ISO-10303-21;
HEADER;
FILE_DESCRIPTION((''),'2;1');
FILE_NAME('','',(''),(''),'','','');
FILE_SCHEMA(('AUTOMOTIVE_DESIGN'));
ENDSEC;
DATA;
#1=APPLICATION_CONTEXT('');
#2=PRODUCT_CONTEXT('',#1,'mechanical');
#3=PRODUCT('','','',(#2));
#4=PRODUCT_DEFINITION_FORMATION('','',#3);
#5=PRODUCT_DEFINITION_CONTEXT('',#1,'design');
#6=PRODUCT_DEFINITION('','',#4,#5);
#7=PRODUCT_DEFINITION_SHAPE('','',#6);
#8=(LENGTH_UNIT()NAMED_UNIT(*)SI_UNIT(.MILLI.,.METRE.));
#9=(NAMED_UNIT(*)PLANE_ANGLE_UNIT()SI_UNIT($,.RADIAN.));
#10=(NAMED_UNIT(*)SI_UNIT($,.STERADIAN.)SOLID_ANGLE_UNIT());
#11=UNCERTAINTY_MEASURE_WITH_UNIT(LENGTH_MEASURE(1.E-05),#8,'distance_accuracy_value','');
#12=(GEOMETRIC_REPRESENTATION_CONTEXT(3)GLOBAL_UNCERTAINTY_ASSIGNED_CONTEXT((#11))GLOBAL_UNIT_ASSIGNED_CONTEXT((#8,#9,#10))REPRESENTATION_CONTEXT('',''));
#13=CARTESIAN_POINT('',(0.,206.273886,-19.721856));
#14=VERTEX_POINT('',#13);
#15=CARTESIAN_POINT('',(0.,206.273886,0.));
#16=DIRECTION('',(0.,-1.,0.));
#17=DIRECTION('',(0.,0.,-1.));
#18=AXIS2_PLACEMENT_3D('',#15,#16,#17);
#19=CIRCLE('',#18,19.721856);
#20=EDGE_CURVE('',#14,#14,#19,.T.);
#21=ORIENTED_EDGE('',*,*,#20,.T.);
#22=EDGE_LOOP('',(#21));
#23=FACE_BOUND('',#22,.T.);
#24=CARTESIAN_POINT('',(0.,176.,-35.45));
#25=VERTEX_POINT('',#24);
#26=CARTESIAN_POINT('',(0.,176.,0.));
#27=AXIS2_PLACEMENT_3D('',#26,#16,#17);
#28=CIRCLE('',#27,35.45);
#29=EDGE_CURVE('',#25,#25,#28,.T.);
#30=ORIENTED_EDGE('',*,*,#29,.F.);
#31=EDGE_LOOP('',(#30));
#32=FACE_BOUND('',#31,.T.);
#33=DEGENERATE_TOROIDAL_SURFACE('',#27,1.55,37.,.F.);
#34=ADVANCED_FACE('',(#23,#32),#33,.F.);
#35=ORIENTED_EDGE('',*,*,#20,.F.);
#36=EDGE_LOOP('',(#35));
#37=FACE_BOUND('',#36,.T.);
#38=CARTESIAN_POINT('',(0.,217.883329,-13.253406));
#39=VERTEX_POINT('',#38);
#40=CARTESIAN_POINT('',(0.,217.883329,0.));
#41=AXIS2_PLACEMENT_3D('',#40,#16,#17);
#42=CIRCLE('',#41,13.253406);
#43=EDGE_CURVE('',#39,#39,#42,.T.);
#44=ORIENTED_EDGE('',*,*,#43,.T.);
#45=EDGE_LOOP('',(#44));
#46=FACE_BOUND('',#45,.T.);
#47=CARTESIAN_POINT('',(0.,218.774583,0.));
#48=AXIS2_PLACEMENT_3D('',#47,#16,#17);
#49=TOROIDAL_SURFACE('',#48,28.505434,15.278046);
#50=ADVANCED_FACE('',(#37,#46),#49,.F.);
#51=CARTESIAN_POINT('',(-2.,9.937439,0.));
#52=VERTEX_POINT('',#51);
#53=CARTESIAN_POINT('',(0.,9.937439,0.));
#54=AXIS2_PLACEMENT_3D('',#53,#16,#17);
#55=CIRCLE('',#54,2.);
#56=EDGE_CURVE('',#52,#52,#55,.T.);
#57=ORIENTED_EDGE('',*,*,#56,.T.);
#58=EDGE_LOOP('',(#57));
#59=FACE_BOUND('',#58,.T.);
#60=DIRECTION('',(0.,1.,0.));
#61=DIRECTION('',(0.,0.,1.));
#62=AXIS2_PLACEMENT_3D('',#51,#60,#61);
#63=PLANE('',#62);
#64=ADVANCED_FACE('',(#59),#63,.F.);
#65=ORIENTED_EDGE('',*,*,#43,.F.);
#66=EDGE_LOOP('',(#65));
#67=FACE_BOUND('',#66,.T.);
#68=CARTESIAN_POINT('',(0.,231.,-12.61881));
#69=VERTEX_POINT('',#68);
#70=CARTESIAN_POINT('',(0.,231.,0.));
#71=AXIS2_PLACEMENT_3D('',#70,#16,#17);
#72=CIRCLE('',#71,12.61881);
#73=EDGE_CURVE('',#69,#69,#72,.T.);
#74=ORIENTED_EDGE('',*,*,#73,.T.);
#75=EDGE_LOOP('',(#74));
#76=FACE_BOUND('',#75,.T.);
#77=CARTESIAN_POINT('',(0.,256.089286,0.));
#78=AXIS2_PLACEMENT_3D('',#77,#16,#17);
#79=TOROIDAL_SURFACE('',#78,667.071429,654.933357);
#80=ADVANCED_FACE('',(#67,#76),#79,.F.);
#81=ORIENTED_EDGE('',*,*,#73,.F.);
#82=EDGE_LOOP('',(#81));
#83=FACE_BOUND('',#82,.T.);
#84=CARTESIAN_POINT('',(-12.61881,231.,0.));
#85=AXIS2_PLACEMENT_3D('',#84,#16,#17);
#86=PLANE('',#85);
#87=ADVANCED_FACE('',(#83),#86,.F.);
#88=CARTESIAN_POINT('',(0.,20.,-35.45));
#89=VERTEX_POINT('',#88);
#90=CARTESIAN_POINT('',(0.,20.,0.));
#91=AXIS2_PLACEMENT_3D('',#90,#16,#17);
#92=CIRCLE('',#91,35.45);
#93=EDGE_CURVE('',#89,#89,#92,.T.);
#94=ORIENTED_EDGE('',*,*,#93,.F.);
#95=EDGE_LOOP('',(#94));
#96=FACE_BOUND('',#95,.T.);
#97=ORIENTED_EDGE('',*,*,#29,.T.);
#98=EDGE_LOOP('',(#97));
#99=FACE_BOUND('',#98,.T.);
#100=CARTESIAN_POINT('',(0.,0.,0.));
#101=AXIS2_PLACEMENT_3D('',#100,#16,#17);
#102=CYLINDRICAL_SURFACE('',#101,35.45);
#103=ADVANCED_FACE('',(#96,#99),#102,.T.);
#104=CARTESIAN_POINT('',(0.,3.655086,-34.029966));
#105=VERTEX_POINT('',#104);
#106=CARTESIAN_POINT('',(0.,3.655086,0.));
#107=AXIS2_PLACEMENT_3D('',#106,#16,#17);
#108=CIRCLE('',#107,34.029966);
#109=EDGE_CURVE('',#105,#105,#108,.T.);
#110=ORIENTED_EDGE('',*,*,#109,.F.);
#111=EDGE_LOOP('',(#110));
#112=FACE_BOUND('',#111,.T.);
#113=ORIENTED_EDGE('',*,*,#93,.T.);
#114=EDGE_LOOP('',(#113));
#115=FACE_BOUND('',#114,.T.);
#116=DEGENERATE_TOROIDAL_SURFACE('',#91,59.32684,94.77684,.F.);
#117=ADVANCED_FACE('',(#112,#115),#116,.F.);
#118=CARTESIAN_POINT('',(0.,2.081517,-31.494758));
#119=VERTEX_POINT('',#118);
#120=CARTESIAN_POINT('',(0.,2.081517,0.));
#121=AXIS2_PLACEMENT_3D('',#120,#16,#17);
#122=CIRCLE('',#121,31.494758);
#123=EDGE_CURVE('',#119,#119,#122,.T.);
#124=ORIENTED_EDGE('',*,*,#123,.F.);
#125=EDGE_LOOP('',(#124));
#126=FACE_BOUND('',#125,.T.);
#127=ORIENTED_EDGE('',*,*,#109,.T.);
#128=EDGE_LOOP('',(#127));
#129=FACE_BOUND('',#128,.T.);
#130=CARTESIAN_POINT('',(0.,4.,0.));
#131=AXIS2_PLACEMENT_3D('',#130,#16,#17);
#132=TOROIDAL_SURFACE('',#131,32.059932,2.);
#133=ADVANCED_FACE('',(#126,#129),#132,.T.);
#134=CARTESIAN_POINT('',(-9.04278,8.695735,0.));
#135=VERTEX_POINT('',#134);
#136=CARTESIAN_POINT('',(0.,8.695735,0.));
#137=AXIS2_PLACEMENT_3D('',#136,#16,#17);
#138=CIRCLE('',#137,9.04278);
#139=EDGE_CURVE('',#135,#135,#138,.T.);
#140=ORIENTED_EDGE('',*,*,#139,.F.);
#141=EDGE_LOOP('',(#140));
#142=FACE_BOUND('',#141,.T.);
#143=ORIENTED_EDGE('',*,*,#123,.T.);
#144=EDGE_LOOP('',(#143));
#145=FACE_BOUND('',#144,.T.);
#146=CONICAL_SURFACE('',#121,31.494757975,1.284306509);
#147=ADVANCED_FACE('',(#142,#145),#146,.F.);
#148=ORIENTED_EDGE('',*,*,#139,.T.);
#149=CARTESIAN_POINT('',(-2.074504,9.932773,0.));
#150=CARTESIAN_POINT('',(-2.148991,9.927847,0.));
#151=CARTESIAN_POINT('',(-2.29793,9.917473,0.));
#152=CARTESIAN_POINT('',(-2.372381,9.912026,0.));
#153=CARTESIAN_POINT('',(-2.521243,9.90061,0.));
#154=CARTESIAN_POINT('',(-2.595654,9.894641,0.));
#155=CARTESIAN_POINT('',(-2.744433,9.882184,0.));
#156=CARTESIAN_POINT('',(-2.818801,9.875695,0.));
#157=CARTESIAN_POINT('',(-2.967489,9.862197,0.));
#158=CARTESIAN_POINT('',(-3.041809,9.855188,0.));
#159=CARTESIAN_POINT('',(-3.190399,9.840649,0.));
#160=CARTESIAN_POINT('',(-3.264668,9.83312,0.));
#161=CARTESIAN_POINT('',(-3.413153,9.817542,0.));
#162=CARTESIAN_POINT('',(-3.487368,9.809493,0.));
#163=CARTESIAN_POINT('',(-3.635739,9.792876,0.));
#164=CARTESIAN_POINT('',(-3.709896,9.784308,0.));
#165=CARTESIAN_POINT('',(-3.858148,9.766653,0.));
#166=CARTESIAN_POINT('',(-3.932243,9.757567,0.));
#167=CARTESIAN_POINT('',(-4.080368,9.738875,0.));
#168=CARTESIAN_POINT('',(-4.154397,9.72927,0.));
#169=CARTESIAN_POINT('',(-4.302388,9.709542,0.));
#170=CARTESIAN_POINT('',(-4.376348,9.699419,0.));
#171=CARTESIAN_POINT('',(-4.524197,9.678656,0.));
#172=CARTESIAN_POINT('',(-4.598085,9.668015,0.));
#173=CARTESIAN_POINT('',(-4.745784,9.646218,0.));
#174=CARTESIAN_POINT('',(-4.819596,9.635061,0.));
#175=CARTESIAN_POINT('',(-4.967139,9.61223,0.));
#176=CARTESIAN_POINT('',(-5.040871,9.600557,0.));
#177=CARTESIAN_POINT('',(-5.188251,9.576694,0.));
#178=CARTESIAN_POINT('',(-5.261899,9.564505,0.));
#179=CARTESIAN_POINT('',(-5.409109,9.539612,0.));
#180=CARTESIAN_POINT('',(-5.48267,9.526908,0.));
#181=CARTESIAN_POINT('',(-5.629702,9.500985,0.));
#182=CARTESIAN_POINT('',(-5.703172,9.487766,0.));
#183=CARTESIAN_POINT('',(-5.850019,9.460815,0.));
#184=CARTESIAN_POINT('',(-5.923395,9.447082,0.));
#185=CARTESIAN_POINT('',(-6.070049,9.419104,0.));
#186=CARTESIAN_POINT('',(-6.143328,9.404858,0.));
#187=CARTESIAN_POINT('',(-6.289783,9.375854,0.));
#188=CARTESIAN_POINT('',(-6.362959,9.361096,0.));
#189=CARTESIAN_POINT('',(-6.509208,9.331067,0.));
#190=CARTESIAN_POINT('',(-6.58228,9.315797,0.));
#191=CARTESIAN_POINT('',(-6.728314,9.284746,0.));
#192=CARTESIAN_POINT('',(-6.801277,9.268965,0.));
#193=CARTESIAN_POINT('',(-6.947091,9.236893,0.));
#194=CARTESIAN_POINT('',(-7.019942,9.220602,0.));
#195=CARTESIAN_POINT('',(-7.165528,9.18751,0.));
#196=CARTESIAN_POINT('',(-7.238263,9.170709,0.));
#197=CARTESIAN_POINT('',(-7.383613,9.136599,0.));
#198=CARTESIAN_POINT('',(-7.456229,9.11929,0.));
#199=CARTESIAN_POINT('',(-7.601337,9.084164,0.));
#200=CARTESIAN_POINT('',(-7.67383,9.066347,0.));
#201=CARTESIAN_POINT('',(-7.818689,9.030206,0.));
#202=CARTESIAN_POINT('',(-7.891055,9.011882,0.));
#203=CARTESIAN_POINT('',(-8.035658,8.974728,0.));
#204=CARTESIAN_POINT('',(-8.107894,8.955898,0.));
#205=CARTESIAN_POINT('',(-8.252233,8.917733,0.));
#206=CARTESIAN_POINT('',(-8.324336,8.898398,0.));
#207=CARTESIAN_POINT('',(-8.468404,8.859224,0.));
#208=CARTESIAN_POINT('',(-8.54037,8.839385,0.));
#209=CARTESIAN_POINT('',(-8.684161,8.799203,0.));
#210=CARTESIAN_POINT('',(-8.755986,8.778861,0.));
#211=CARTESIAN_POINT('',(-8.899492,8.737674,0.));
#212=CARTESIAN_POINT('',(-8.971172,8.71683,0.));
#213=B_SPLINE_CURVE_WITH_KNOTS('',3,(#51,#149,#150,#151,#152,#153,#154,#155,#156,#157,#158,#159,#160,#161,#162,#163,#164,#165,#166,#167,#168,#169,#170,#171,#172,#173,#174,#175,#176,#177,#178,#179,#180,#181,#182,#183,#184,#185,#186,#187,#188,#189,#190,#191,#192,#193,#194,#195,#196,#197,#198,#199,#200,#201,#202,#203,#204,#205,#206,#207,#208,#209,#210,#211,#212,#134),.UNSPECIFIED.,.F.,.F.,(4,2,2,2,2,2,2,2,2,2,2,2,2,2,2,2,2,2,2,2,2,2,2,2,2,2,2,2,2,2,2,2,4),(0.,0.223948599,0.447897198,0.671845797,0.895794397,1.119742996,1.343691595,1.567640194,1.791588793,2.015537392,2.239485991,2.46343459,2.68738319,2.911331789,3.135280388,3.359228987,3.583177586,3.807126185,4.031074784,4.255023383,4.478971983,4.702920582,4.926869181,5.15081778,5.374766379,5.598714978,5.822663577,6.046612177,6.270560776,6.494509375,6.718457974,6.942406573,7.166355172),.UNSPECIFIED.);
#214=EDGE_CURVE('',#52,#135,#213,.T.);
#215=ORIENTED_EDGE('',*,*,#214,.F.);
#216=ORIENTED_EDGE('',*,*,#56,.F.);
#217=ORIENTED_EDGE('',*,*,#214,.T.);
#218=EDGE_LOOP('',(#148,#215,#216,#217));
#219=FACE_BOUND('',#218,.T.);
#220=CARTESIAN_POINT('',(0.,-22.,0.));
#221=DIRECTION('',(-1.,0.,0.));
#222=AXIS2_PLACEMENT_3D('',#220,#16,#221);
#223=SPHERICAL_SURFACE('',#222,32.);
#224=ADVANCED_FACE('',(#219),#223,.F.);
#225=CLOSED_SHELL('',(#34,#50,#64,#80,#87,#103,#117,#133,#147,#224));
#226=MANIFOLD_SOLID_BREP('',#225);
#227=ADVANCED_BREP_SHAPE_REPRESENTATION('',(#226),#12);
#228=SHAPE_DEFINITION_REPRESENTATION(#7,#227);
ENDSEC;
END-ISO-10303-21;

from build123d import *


with BuildPart() as part:
    # Skica1 → Rotovat1 (revolve)
    with BuildSketch(Plane.XY, mode=Mode.PRIVATE) as rotovat1_sk:
        with BuildLine():
            Line((-2, 9.937438845), (0, 9.937438845))
            Line((0, 9.937438845), (0, 231))
            Line((0, 231), (-12.618810271, 231))
            ThreePointArc((-12.618810271, 231), (-12.903232124, 224.440073791), (-13.253405947, 217.883328719))
            ThreePointArc((-13.253405947, 217.883328719), (-15.159184085, 211.33843471), (-19.721855633, 206.273885742))
            ThreePointArc((-19.721855633, 206.273885742), (-31.283356959, 193.057862433), (-35.45, 176))
            Line((-35.45, 176), (-35.45, 20))
            ThreePointArc((-35.45, 20), (-35.094324076, 11.796758267), (-34.029965847, 3.655086334))
            ThreePointArc((-34.029965847, 3.655086334), (-33.114653771, 2.300717404), (-31.494757975, 2.081516571))
            Line((-31.494757975, 2.081516571), (-9.042779517, 8.69573486))
            ThreePointArc((-9.042779517, 8.69573486), (-5.556185927, 9.513946086), (-2, 9.937438845))
        make_face()
    revolve(rotovat1_sk.sketch.rotate(Axis((0, 0, 0), (0, 1, 0)), 270), axis=Axis((0, 0, 0), (0, 1, 0)))


solid = part.part
